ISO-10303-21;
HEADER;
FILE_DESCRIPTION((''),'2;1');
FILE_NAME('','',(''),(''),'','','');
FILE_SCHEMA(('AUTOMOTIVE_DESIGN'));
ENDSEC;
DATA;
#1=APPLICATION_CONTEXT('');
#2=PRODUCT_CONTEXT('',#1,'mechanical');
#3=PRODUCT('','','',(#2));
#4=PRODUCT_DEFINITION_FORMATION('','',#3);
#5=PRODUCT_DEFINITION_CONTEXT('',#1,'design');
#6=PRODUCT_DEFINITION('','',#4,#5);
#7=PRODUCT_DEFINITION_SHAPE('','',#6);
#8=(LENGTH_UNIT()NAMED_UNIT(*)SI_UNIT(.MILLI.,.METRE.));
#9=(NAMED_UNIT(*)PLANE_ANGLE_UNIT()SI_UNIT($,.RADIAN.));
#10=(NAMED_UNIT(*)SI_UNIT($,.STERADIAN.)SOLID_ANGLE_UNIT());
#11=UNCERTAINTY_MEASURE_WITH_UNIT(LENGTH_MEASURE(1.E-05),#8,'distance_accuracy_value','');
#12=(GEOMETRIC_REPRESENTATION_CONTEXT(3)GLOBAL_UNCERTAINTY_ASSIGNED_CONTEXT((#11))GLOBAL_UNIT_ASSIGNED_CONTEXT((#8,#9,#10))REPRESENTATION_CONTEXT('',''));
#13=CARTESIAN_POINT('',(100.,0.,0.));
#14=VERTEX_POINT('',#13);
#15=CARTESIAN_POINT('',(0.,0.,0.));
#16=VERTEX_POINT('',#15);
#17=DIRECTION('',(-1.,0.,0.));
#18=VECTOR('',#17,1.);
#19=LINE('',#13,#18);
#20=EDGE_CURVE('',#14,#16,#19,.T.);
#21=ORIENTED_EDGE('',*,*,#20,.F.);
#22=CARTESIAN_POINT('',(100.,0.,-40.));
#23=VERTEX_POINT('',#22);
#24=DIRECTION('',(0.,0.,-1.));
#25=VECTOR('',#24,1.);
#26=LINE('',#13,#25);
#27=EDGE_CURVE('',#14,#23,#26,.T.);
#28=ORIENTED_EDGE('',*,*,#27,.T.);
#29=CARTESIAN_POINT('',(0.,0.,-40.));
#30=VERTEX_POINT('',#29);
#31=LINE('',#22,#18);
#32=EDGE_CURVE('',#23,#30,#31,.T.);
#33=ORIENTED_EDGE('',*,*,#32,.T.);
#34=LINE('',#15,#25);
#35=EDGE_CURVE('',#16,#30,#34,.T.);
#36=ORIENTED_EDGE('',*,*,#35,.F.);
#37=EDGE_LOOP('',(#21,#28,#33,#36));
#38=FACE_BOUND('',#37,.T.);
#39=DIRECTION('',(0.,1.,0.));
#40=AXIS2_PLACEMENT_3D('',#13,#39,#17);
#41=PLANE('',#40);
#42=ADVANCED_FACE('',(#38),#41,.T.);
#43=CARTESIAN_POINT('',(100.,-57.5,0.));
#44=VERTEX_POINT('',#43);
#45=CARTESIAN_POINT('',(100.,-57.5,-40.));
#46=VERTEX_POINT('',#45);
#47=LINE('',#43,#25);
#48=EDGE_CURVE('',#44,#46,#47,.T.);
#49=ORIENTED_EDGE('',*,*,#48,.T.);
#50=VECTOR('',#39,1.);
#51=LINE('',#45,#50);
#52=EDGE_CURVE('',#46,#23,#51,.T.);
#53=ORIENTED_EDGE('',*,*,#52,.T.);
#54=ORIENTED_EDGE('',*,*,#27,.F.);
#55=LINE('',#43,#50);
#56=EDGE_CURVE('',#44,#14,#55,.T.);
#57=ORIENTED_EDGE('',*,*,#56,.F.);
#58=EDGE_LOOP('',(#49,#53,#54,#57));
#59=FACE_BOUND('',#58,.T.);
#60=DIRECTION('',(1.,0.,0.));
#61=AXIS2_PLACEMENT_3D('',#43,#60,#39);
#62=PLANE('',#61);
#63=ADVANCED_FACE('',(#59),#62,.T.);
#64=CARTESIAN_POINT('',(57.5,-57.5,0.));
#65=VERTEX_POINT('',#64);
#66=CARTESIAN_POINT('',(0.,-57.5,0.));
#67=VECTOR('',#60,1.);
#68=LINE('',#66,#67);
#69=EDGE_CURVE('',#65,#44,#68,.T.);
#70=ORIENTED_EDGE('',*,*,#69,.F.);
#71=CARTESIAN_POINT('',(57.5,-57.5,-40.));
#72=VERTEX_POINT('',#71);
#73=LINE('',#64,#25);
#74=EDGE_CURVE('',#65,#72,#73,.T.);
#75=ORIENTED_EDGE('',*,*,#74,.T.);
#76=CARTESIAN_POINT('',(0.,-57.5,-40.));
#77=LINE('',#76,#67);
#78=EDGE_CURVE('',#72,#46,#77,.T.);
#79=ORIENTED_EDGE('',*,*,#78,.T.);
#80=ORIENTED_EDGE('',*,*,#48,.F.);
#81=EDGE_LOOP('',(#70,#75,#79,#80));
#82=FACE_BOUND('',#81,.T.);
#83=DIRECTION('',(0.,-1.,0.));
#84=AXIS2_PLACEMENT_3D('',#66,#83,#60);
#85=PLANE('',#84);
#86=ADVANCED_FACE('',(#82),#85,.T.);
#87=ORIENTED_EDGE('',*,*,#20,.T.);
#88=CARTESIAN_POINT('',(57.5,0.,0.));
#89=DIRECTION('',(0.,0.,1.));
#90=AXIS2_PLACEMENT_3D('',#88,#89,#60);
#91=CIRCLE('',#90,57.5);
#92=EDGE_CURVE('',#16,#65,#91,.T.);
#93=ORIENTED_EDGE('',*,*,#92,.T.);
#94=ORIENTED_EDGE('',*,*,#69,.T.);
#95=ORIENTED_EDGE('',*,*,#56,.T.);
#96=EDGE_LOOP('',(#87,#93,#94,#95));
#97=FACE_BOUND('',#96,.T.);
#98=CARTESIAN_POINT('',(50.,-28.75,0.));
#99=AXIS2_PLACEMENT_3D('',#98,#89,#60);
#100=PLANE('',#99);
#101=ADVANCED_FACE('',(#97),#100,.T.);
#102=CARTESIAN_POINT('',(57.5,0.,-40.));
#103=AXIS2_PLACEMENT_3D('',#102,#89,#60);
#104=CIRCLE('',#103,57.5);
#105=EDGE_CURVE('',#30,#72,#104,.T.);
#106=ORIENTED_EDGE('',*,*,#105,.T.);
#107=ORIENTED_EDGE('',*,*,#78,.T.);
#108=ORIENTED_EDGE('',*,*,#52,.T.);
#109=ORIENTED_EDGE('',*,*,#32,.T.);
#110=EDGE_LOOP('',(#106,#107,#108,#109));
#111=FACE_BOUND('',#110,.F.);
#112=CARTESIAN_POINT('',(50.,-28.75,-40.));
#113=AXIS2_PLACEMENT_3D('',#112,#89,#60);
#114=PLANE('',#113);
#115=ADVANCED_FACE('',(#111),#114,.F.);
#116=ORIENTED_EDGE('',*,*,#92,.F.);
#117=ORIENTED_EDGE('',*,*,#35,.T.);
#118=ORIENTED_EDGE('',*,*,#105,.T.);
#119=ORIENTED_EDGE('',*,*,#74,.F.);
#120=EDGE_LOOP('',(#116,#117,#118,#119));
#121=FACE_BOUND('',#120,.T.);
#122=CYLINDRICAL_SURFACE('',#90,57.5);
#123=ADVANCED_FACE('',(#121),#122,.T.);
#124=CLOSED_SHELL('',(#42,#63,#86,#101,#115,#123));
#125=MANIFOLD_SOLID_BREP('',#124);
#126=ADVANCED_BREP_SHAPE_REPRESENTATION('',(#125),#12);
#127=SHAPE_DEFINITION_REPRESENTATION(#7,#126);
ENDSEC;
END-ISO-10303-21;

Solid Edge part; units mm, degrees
sketch "Sketch1" plane through (0, 0, 0) normal (0, 0, 1) x (1, 0, 0)
  line L0 (0, -57.5) -> (100, -57.5)
  line L1 (100, -57.5) -> (100, 0)
  line L2 (100, 0) -> (0, 0)
  line L3 (0, 0) -> (0, -57.5)
extrude "Protrusion1" add sketch "Sketch1" against normal blind 40
sketch "Sketch2" plane through (50, -28.75, 0) normal (0, 0, 1) x (1, 0, 0)
  arc A0 (-50, 28.75) -> (7.5, -28.75) centre (7.5, 28.75) ccw
  line L0 (-50, -28.75) -> (7.5, -28.75)
  line L1 (-50, 28.75) -> (-50, -28.75)
extrude "ExtrudedCutout_1" cut sketch "Sketch2" against normal blind 40
